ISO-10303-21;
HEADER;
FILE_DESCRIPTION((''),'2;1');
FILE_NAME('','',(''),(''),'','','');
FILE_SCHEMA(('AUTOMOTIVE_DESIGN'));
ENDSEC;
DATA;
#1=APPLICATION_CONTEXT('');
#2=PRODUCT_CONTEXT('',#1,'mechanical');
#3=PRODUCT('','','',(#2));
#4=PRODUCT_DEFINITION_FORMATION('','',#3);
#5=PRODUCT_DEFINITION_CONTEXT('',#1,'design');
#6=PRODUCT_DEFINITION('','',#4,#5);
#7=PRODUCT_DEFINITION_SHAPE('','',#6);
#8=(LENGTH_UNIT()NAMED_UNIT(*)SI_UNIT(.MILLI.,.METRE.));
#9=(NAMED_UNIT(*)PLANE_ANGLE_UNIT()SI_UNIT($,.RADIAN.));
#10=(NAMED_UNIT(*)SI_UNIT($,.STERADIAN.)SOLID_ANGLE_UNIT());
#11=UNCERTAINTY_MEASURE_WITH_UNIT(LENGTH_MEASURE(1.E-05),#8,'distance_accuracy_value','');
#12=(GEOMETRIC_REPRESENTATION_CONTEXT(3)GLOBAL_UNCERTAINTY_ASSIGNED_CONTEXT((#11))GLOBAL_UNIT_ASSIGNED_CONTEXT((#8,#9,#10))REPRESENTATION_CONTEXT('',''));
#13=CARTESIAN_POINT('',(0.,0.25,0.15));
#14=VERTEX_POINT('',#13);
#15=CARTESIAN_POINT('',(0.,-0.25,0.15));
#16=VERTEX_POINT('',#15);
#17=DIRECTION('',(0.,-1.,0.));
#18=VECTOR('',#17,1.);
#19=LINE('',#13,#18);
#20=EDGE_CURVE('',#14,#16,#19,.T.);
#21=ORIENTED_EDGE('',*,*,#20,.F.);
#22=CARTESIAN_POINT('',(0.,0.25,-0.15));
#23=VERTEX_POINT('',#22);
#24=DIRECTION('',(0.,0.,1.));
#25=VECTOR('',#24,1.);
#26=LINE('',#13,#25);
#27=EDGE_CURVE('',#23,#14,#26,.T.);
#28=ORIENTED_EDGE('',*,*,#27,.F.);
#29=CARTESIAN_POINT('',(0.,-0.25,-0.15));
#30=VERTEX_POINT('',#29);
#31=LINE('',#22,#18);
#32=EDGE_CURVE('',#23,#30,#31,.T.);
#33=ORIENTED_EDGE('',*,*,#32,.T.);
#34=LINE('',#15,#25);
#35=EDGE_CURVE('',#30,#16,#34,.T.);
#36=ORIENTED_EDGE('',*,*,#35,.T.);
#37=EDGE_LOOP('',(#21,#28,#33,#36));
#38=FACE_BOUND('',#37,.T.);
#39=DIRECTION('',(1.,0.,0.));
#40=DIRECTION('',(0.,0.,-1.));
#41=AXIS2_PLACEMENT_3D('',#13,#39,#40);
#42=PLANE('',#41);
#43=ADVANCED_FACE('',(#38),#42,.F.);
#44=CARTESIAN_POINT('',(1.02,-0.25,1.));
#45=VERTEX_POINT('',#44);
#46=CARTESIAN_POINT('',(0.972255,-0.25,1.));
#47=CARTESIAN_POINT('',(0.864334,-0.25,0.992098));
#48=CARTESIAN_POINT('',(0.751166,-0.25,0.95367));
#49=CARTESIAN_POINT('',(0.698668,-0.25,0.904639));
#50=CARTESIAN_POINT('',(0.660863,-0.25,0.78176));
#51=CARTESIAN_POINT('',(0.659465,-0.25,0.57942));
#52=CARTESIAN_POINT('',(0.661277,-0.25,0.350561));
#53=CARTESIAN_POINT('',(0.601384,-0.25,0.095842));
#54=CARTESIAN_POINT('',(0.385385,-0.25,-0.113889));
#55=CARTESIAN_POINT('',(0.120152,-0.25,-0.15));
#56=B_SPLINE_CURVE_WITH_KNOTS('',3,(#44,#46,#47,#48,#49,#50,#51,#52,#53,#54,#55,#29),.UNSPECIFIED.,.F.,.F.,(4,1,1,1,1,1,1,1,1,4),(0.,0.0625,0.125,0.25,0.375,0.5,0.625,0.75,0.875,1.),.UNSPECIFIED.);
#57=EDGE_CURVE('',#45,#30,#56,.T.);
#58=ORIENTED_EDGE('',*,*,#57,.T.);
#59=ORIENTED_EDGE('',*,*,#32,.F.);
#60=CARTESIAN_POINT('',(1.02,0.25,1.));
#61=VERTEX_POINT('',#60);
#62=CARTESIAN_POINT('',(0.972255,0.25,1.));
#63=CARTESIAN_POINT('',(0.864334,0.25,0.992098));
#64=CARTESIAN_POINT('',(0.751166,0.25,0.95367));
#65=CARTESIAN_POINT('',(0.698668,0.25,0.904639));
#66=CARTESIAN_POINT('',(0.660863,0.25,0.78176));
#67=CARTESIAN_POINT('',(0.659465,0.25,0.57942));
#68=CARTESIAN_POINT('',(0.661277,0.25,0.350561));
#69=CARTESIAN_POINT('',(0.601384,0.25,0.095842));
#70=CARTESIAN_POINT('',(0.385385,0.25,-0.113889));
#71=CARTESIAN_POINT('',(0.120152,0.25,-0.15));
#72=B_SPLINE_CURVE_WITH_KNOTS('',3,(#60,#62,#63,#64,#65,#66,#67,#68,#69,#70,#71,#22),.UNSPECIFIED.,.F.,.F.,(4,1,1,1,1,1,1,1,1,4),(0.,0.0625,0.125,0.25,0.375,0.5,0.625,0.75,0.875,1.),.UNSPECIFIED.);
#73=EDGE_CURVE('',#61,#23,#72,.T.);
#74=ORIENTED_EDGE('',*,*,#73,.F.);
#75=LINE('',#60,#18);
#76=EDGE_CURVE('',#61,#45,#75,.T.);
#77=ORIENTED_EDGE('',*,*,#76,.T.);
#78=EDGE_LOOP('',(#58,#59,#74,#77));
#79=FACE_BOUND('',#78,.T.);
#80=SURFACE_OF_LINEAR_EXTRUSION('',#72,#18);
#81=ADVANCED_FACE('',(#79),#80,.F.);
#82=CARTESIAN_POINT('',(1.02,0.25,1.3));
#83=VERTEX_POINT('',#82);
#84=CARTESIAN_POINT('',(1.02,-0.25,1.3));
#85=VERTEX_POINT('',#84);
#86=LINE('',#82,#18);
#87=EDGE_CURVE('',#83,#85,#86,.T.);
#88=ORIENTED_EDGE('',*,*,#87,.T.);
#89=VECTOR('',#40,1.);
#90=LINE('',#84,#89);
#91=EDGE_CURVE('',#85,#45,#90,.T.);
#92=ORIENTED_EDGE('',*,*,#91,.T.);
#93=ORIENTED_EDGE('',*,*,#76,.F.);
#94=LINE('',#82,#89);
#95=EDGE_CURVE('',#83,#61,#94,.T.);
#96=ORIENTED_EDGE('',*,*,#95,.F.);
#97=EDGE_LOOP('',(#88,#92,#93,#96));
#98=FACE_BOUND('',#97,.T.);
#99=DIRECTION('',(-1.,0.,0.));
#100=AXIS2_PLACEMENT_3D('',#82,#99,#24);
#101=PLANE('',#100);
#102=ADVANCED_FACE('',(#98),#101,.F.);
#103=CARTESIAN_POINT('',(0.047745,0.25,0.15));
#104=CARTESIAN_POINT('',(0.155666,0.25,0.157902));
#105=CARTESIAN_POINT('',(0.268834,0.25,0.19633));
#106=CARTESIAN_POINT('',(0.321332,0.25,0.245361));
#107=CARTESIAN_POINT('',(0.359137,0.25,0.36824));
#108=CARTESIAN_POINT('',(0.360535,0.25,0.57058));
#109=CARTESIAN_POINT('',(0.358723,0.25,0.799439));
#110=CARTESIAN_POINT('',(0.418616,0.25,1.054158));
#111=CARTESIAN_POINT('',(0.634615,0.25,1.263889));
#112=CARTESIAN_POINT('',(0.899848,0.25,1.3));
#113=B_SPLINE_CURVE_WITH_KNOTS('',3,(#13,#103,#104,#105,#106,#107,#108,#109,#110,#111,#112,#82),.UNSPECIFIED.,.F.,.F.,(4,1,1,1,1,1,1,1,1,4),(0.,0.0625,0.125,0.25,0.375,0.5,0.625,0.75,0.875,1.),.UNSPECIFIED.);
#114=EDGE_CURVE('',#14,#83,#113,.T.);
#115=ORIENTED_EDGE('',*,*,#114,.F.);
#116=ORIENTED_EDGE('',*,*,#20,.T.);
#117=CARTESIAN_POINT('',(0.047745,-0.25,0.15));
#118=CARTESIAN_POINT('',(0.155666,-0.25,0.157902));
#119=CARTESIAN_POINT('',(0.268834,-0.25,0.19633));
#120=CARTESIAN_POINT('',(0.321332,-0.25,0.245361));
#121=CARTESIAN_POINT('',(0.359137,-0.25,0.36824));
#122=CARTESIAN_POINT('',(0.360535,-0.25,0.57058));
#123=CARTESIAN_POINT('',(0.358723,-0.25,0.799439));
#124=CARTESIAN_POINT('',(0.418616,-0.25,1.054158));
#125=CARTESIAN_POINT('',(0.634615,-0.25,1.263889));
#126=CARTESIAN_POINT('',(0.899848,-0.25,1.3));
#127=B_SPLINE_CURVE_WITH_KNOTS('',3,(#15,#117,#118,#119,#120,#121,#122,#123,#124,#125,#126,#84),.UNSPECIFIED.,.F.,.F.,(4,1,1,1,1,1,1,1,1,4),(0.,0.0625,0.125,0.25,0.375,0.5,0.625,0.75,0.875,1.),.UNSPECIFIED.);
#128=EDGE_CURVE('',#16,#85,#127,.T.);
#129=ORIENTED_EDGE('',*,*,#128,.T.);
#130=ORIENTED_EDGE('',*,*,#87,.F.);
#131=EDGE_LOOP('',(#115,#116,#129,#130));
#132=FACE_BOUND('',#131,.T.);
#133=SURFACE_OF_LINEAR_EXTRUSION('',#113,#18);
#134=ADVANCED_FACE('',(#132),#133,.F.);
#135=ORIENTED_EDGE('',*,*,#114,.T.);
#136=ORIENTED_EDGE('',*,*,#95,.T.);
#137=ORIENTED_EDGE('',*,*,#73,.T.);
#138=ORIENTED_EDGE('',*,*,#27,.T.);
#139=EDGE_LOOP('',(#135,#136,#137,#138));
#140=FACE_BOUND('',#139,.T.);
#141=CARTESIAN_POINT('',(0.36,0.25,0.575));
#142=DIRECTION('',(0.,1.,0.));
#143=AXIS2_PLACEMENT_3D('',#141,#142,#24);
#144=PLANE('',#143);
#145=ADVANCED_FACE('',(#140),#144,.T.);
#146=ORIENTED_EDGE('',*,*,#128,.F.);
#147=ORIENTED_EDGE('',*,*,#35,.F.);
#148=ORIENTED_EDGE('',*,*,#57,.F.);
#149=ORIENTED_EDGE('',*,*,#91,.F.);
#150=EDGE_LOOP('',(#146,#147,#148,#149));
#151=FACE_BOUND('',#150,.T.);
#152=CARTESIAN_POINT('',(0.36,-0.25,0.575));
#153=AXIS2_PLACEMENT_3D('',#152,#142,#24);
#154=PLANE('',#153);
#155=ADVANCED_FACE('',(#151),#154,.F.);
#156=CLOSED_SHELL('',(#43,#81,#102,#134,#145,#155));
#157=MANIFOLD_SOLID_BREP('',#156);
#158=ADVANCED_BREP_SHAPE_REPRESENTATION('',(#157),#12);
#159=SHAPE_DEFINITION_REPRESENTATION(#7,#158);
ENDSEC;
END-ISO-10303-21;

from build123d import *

# Parameters (mm, degrees)
BOSS_EXTRUDE1_DEPTH = 0.25


with BuildPart() as part:
    # Sketch1 → Boss-Extrude1 (new body, symmetric)
    with BuildSketch(Plane(origin=(0, 0, 0), x_dir=(1, 0, 0), z_dir=(0, 1, 0))):
        with BuildLine():
            Line((0, -0.15), (0, 0.15))
            add(Edge.make_bspline(
                [(0, 0.15), (0.120151792, 0.15), (0.385384773, 0.113888838), (0.601384368, -0.095842467), (0.661277487, -0.350560649), (0.659464905, -0.579419842), (0.660862894, -0.781759984), (0.69866774, -0.904638876), (0.751166188, -0.953669974), (0.864334193, -0.992097665), (0.97225533, -1), (1.02, -1)],
                knots=[0, 0, 0, 0, 0.125, 0.25, 0.375, 0.5, 0.625, 0.75, 0.875, 0.9375, 1, 1, 1, 1], degree=3))
            Line((1.02, -1), (1.02, -1.3))
            add(Edge.make_bspline(
                [(0, -0.15), (0.04774467, -0.15), (0.155665807, -0.157902335), (0.268833812, -0.196330026), (0.32133226, -0.245361124), (0.359137106, -0.368240016), (0.360535095, -0.570580158), (0.358722513, -0.799439351), (0.418615632, -1.054157533), (0.634615227, -1.263888838), (0.899848208, -1.3), (1.02, -1.3)],
                knots=[0, 0, 0, 0, 0.0625, 0.125, 0.25, 0.375, 0.5, 0.625, 0.75, 0.875, 1, 1, 1, 1], degree=3))
        make_face()
    extrude(amount=BOSS_EXTRUDE1_DEPTH, both=True)


solid = part.part
